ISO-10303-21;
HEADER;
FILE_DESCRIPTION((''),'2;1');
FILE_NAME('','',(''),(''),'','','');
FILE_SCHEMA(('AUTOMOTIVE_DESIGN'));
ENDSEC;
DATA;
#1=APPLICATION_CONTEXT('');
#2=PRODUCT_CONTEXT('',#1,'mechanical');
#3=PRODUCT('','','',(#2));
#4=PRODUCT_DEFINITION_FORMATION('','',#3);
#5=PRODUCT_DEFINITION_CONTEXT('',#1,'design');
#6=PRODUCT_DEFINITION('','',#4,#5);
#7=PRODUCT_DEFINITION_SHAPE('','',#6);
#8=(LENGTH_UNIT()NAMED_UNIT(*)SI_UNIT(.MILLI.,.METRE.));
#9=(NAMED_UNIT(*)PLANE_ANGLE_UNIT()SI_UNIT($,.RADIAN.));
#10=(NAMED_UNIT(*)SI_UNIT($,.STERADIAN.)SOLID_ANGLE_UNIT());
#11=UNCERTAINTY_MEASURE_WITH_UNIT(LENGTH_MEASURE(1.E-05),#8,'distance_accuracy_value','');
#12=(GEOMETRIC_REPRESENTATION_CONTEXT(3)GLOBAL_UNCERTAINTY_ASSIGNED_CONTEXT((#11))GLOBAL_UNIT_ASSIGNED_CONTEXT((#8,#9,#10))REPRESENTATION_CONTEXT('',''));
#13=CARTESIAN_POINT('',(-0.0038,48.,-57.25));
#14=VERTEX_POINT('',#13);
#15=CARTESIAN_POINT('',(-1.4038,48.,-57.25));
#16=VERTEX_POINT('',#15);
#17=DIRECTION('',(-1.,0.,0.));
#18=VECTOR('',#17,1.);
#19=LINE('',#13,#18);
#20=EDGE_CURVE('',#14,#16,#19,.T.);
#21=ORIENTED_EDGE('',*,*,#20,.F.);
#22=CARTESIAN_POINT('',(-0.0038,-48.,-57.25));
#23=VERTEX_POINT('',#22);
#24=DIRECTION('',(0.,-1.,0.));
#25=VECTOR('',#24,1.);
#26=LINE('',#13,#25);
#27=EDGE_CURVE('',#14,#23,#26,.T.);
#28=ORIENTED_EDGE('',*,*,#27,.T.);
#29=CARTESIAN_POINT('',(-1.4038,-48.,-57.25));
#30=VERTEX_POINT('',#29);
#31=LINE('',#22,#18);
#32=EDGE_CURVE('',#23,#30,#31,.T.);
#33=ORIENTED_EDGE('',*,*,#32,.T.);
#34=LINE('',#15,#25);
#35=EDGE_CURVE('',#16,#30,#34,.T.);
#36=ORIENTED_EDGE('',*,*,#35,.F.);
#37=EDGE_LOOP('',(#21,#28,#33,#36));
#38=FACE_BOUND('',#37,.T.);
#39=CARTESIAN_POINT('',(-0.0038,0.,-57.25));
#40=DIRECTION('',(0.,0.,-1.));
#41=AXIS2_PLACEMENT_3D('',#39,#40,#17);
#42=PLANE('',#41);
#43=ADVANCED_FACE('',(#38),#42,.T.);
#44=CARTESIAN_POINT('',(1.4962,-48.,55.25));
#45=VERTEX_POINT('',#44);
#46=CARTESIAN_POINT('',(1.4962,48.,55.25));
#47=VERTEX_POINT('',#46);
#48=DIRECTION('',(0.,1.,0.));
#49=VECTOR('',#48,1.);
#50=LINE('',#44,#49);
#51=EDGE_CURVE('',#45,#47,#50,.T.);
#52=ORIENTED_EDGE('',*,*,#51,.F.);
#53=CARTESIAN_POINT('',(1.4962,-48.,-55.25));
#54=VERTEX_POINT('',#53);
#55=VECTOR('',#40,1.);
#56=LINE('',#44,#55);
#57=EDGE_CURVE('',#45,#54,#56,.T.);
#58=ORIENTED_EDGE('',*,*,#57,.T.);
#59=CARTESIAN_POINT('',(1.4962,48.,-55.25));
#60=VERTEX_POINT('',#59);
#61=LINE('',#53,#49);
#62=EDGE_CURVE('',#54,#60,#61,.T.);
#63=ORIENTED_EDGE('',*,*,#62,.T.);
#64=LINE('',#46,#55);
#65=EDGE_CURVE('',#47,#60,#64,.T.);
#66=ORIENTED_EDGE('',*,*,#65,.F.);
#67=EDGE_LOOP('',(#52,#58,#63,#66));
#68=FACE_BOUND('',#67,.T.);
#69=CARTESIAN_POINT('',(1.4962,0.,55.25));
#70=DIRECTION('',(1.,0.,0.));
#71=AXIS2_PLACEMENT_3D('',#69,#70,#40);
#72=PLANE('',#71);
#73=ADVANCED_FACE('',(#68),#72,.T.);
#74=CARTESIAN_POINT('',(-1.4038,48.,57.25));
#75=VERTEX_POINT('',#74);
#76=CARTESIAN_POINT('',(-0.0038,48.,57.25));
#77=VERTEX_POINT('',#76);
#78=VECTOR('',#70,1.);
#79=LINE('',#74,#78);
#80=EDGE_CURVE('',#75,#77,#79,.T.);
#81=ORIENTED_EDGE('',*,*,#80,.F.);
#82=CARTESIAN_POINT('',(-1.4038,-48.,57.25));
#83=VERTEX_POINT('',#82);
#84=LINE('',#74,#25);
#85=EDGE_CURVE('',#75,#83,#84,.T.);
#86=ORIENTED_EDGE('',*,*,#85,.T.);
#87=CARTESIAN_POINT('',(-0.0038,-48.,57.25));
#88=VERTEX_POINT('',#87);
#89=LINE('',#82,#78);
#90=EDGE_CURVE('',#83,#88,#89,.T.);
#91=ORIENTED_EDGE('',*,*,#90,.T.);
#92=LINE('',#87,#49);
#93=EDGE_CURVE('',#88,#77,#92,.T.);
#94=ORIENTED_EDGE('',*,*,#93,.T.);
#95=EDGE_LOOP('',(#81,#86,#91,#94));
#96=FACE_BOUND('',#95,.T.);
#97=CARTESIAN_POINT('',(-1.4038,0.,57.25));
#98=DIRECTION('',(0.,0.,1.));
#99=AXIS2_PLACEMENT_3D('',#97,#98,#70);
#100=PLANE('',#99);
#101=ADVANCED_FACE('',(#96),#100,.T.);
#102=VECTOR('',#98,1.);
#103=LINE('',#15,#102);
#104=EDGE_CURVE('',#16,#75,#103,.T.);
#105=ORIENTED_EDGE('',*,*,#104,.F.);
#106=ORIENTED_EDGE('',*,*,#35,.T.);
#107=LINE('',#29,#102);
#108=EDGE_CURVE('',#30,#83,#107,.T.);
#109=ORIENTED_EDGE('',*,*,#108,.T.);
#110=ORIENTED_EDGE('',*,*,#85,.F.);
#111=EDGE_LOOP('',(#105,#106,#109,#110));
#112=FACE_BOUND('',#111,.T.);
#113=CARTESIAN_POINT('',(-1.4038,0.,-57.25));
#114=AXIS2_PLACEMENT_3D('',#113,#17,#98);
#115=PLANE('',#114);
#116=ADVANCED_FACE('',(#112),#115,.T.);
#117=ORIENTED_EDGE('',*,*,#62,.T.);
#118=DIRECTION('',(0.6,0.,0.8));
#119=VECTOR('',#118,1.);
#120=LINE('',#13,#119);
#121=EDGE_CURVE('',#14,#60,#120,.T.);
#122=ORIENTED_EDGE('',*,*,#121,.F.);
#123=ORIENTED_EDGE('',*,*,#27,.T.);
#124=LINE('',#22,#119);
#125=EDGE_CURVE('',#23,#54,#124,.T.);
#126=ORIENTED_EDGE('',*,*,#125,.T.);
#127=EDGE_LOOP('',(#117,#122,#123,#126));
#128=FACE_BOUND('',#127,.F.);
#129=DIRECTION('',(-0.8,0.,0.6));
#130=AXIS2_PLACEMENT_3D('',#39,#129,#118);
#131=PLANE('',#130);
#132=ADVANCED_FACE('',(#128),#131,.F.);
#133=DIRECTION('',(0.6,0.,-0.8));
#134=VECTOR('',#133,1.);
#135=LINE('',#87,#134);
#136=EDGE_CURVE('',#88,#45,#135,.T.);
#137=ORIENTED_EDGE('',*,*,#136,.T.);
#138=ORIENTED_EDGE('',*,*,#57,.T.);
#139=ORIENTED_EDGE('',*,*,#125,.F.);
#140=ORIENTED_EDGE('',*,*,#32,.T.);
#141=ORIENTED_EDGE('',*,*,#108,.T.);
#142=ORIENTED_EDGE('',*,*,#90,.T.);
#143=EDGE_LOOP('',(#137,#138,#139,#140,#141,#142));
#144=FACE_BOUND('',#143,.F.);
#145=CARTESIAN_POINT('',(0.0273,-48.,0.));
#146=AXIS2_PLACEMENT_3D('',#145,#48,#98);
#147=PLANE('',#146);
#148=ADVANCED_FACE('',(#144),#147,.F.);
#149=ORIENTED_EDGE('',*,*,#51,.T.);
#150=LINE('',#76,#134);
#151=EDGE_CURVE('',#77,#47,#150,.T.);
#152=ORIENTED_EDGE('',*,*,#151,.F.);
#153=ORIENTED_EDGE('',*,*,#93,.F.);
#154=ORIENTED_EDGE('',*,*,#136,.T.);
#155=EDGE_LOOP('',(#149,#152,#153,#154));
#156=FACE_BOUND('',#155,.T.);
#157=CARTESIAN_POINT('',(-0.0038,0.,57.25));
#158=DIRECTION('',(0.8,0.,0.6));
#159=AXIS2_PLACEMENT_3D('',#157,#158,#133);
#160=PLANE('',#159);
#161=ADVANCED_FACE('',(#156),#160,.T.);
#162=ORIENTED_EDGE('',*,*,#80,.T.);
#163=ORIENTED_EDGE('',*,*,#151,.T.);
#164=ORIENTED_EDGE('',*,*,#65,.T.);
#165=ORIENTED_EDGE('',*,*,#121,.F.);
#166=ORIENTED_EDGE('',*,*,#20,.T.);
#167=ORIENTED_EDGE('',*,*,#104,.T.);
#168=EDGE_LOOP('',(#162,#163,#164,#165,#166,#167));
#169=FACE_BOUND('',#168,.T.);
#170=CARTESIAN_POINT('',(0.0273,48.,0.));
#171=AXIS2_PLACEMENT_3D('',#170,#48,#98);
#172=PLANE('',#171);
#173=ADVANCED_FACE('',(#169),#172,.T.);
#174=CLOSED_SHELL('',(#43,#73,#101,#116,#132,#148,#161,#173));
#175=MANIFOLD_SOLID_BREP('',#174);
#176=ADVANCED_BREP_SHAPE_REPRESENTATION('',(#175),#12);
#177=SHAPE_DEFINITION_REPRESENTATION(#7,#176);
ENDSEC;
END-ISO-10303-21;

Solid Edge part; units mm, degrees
sketch "Sketch1" plane through (0, 0, 0) normal (0, -1, 0) x (1, 0, 0)
  line L0 (-1.4038, 57.25) -> (-0.0038, 57.25)
  line L1 (-0.0038, 57.25) -> (1.4962, 55.25)
  line L2 (1.4962, 55.25) -> (1.4962, -55.25)
  line L3 (-0.0038, -57.25) -> (1.4962, -55.25)
  line L4 (-0.0038, -57.25) -> (-1.4038, -57.25)
  line L5 (-1.4038, -57.25) -> (-1.4038, 57.25)
  dimension "D1" = 1.4
  dimension "D2" = 114.5
  dimension "D3" = 2
  dimension "D4" = 1.5
  dimension "D5" = 2
  dimension "D6" = 1.5
  dimension "D7" = 110.5
  dimension "D8" = 1.4038
extrude "Protrusion1" add sketch "Sketch1" along normal mid plane 96
